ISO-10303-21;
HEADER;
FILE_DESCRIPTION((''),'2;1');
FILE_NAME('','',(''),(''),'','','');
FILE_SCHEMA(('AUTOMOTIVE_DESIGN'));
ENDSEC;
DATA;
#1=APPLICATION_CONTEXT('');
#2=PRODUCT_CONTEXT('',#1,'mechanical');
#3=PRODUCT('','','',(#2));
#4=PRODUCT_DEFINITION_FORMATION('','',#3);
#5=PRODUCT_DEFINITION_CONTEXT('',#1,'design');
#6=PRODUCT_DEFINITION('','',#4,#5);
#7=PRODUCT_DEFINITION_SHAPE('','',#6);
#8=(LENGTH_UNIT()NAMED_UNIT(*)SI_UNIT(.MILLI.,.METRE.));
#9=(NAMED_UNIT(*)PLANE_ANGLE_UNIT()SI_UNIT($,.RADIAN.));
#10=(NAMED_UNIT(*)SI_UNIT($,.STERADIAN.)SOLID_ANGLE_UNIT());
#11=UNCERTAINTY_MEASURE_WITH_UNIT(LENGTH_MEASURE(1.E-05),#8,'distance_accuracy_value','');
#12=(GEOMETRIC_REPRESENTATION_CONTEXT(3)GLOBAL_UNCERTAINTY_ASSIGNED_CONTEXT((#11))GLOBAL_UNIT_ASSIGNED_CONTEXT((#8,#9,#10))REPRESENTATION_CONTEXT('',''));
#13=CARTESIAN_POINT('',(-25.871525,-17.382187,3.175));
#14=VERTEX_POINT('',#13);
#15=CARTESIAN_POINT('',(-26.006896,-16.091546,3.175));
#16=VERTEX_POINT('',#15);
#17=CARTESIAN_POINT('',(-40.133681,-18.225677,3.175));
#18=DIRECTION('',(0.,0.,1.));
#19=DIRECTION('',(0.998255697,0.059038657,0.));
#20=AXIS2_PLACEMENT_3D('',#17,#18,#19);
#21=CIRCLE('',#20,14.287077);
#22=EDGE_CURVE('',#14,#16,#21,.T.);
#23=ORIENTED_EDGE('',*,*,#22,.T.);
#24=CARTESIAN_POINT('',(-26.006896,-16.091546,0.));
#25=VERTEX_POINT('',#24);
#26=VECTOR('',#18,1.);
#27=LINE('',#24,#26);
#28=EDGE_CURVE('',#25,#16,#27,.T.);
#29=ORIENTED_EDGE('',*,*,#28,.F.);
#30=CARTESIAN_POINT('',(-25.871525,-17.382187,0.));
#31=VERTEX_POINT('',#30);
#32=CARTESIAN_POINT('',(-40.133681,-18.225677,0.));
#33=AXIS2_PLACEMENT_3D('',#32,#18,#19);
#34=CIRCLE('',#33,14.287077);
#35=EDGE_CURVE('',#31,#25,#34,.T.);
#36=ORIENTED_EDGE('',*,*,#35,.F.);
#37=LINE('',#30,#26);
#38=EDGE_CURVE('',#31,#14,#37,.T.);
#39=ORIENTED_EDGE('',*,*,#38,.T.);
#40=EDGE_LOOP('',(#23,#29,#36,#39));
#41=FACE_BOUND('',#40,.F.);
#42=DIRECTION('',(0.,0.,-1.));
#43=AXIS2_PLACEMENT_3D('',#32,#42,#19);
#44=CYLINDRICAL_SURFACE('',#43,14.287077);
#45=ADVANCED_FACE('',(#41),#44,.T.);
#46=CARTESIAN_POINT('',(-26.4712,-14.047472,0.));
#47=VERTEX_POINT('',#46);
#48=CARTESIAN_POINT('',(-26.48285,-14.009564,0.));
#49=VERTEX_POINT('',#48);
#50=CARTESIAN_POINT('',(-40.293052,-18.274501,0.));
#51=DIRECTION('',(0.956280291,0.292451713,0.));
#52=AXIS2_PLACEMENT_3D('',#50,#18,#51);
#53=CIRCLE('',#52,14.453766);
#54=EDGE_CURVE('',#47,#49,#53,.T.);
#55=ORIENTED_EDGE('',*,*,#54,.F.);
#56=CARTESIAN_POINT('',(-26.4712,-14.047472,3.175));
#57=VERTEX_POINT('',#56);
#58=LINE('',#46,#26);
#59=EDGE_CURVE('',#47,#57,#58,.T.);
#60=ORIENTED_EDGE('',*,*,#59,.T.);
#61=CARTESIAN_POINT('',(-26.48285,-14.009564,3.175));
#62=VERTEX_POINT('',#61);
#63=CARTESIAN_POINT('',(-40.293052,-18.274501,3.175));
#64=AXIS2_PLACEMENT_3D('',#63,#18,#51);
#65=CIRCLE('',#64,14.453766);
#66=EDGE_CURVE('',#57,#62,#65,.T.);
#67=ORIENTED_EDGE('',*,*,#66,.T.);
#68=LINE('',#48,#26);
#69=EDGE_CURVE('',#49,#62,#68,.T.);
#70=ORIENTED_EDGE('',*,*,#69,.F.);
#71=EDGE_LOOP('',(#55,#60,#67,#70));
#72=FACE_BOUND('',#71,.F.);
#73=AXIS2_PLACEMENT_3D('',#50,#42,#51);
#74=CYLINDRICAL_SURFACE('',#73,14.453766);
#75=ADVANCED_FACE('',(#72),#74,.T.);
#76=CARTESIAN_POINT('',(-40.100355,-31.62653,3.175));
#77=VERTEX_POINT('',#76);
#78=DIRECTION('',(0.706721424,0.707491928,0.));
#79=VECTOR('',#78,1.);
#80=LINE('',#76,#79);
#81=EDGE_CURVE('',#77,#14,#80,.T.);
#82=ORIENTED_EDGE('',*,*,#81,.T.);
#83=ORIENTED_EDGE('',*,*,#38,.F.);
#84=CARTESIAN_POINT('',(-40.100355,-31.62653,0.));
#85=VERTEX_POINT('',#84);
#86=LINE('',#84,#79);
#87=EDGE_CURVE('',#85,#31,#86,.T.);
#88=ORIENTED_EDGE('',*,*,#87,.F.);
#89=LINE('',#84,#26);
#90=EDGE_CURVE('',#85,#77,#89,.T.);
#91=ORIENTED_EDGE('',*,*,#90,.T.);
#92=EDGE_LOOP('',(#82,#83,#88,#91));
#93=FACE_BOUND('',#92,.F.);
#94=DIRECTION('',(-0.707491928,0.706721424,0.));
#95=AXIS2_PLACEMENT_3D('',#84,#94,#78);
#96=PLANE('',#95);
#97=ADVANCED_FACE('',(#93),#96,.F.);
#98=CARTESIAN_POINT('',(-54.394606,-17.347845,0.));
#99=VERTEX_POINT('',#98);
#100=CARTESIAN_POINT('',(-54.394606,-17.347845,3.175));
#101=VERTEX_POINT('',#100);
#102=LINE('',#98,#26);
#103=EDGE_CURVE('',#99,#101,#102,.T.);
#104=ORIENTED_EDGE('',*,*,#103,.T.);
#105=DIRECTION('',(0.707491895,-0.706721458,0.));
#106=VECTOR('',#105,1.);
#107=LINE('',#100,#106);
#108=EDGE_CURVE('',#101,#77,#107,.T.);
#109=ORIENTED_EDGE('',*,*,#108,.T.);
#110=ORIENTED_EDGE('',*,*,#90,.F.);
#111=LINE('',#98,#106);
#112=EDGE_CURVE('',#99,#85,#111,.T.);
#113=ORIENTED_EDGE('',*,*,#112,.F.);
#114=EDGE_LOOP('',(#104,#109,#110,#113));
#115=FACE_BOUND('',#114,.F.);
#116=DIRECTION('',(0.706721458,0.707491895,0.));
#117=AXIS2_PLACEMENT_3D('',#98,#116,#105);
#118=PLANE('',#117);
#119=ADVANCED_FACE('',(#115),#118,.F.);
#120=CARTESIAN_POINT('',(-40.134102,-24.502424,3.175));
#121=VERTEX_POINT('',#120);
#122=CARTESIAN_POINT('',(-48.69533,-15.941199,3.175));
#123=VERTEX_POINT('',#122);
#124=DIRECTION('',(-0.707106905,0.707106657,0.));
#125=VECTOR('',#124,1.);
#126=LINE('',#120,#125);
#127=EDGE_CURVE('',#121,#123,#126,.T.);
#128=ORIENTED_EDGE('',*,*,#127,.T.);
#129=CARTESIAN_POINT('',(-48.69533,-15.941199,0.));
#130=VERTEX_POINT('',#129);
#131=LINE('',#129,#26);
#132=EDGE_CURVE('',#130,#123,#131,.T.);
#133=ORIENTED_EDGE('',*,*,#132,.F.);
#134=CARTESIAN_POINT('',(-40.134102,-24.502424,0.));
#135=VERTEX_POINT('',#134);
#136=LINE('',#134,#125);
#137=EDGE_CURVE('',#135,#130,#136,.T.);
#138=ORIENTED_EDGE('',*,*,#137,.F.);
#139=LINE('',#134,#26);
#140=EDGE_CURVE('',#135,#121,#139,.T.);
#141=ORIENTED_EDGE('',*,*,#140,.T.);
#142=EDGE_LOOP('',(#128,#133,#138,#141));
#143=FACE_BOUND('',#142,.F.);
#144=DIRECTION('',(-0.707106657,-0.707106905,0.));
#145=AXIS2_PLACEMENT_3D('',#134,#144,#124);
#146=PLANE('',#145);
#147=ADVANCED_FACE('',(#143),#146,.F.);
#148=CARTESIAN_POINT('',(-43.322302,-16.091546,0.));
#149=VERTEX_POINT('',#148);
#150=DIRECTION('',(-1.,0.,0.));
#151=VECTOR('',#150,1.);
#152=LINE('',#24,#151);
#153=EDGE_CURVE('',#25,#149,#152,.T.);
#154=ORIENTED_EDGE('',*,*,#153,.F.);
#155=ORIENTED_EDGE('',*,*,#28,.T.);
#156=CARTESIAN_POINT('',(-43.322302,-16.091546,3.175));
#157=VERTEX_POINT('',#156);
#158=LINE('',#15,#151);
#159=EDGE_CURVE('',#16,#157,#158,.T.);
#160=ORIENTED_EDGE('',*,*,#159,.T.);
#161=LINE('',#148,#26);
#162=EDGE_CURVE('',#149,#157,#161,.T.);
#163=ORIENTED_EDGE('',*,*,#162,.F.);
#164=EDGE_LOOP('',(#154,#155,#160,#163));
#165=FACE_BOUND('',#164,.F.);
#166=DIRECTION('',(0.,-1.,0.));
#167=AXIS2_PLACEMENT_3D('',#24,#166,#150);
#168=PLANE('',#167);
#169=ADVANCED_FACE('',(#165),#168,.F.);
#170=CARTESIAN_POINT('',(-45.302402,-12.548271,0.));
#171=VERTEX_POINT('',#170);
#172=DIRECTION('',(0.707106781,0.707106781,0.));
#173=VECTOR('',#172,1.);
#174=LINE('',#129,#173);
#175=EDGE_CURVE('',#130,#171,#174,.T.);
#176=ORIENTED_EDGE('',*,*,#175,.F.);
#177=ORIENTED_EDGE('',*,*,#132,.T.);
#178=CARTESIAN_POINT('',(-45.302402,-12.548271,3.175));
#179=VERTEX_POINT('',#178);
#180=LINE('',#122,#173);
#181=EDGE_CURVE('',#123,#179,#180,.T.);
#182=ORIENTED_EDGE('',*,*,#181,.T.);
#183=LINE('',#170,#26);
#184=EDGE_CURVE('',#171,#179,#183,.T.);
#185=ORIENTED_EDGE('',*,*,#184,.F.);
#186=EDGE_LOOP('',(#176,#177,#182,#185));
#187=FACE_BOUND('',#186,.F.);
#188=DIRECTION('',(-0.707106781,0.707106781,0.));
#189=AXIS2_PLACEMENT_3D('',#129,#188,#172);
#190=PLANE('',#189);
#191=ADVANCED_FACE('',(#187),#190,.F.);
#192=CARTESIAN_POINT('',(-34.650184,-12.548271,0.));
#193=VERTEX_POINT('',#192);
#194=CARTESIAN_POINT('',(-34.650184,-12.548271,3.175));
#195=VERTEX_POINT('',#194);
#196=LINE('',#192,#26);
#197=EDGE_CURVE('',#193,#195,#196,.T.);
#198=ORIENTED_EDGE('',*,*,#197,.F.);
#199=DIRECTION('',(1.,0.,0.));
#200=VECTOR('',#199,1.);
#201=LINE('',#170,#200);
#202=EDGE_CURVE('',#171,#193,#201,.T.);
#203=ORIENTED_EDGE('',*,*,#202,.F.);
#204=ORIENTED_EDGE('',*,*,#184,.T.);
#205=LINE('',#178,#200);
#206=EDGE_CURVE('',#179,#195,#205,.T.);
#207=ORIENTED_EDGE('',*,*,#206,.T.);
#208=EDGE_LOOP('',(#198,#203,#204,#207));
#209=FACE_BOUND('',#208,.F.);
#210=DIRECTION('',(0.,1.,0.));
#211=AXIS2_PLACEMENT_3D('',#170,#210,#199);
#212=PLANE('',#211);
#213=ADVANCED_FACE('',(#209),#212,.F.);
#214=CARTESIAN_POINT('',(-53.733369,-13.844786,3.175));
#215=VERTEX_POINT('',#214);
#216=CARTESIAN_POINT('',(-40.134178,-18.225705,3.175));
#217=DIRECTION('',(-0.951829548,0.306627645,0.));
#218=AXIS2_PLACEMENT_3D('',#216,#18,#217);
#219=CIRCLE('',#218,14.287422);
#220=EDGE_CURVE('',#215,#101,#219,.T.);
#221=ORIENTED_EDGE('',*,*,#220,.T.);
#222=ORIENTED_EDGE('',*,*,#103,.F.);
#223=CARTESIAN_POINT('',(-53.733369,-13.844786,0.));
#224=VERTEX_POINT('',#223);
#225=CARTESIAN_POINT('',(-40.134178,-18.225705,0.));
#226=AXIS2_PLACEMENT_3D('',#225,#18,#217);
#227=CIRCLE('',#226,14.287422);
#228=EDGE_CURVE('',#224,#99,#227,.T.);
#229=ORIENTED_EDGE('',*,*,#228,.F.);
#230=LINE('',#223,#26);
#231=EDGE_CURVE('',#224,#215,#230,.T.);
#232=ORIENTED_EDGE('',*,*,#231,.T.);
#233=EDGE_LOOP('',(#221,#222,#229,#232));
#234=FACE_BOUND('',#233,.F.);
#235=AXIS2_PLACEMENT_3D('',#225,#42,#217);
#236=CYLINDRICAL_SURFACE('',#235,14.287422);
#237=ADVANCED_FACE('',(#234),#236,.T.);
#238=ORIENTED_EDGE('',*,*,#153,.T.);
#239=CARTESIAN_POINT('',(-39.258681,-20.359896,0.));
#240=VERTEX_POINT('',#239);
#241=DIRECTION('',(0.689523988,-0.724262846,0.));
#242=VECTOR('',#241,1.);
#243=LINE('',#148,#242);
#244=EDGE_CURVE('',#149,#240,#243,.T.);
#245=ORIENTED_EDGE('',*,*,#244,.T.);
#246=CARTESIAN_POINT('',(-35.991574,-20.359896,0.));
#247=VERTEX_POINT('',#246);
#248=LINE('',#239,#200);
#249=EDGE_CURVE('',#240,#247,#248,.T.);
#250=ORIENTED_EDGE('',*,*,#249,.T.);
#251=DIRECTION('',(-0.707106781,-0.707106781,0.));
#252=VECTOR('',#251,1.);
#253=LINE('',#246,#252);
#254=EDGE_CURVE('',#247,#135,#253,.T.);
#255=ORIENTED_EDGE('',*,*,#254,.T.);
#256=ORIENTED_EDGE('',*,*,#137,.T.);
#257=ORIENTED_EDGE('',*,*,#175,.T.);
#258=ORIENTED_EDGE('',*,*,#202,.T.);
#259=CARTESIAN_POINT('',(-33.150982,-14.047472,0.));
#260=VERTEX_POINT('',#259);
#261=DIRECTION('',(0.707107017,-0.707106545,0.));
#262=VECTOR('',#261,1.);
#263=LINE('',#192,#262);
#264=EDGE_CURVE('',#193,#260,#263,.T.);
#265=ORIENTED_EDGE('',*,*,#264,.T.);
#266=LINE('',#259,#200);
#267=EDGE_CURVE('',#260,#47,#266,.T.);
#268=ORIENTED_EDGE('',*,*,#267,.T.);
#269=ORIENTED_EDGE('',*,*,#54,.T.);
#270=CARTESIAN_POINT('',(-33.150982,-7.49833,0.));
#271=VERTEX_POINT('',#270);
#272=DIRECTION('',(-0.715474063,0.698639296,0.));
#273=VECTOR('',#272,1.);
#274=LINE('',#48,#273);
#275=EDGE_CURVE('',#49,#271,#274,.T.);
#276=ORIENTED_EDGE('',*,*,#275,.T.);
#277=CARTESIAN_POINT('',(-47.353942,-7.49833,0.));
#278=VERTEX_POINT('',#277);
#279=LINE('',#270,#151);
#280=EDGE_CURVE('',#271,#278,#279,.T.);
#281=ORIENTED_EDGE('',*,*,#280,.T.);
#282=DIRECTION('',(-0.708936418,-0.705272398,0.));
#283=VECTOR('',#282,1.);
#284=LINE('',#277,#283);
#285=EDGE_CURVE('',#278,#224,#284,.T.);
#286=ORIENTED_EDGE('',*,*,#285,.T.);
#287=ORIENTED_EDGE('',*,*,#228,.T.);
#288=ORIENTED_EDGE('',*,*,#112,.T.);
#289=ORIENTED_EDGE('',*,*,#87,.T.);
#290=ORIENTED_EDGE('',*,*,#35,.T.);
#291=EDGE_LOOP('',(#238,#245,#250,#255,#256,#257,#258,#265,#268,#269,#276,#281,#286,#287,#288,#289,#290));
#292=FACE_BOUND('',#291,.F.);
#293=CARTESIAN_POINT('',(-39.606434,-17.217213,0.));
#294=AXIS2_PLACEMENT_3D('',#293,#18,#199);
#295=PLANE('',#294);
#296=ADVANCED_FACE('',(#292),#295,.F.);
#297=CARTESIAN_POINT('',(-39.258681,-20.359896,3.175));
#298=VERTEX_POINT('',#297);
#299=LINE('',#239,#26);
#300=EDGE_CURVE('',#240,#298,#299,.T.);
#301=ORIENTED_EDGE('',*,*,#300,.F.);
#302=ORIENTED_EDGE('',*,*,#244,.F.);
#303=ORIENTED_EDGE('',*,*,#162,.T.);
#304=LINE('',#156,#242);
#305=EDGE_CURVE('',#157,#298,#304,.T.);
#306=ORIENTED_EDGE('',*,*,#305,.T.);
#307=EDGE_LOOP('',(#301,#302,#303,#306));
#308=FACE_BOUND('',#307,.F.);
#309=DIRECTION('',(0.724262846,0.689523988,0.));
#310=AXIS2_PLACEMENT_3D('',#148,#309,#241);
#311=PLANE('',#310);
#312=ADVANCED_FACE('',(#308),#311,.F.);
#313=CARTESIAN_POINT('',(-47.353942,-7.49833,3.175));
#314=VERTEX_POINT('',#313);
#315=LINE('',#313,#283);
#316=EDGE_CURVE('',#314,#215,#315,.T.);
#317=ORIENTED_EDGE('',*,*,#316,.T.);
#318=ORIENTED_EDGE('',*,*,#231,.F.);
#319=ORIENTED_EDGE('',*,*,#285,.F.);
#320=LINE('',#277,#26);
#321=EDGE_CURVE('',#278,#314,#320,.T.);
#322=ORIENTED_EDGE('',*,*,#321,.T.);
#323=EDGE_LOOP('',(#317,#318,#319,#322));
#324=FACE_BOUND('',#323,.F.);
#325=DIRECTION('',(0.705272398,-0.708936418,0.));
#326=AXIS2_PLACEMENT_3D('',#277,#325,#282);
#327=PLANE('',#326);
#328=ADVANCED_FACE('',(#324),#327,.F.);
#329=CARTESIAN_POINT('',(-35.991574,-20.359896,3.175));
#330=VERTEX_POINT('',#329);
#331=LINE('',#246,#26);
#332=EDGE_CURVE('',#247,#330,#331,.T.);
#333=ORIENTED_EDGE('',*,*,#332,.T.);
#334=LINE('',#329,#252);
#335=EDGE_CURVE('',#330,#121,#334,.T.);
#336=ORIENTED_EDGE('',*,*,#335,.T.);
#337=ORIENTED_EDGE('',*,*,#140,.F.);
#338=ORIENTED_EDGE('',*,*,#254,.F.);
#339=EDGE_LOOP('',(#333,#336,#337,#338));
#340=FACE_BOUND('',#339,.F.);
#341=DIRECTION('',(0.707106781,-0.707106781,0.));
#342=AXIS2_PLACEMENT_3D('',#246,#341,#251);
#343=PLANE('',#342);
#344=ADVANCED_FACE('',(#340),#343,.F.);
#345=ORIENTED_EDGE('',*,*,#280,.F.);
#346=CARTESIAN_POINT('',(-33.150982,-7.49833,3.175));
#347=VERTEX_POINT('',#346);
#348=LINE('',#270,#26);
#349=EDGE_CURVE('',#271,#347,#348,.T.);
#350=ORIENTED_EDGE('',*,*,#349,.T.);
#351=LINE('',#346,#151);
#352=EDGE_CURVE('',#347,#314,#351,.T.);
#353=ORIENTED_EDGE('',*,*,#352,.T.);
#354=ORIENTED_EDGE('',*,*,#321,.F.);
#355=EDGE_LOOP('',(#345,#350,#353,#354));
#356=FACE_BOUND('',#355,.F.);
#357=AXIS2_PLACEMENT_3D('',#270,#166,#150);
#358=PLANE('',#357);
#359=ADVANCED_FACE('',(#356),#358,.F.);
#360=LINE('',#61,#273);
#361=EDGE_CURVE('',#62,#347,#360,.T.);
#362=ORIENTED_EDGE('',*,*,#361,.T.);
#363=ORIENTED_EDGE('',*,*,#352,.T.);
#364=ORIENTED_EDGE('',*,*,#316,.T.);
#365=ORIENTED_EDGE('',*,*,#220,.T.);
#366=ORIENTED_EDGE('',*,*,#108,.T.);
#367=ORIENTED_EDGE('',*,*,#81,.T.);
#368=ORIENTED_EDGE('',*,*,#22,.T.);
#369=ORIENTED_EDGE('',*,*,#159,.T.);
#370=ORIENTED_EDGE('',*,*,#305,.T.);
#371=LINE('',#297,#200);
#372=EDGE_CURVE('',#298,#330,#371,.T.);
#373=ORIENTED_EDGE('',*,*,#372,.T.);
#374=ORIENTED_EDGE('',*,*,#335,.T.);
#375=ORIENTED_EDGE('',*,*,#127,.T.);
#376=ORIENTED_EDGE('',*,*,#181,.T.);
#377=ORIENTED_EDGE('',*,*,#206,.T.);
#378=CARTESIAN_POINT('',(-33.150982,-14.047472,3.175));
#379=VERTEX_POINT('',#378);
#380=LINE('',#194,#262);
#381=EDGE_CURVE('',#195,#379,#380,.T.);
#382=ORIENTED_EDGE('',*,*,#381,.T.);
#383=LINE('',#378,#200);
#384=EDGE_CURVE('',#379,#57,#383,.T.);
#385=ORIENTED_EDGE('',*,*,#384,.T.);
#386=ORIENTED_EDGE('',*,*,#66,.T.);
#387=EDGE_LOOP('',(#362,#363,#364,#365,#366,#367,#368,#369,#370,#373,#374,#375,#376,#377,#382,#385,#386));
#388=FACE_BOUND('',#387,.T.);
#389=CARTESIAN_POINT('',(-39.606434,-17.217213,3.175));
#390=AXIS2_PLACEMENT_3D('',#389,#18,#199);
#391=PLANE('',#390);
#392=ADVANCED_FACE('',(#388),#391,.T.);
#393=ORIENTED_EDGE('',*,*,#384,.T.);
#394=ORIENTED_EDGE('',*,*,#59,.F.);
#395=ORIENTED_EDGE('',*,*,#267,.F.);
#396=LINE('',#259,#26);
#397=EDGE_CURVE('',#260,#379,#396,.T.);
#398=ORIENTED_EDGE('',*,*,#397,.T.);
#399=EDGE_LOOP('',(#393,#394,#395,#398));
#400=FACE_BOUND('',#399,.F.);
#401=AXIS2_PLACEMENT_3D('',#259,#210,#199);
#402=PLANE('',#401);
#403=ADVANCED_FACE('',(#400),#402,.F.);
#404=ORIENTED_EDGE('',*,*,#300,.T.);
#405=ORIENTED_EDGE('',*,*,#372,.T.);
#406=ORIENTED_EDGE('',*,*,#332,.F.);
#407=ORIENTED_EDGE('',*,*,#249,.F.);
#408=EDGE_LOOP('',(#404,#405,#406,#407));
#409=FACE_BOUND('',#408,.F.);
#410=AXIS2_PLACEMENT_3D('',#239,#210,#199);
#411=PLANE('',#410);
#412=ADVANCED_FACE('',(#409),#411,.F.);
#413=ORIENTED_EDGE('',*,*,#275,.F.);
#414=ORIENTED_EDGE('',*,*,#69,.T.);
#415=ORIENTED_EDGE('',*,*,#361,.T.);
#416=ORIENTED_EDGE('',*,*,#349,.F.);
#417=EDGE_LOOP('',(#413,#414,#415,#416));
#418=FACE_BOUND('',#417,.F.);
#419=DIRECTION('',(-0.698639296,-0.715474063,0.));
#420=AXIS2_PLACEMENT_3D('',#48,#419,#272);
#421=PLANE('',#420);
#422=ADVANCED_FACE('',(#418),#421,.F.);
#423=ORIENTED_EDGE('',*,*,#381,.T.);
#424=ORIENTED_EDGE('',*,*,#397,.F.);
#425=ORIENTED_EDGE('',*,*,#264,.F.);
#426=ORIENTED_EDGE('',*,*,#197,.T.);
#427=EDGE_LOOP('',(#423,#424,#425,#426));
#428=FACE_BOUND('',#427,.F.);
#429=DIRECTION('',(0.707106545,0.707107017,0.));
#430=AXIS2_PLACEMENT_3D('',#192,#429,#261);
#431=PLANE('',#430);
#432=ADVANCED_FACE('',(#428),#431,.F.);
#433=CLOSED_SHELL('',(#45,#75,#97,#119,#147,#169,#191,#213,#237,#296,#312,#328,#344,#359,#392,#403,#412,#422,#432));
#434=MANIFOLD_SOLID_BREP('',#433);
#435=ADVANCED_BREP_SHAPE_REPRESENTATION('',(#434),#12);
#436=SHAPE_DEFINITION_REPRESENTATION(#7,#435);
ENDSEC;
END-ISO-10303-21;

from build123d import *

# Parameters (mm, degrees)
F1_DEPTH = 3.175


with BuildPart() as f1:
    # F0 (on Top) → F1 (new body)
    with BuildSketch(Plane.XY):
        with BuildLine():
            Line((-33.150982, -7.49833), (-47.353942, -7.49833))
            Line((-47.353942, -7.49833), (-53.733369, -13.844786))
            ThreePointArc((-53.733369, -13.844786), (-54.173674, -15.575611), (-54.394606, -17.347845))
            Line((-54.394606, -17.347845), (-40.100355, -31.62653))
            Line((-40.100355, -31.62653), (-25.871525, -17.382187))
            ThreePointArc((-25.871525, -17.382187), (-25.924549, -16.735329), (-26.006896, -16.091546))
            Line((-26.006896, -16.091546), (-43.322302, -16.091546))
            Line((-43.322302, -16.091546), (-39.258681, -20.359896))
            Line((-39.258681, -20.359896), (-35.991574, -20.359896))
            Line((-35.991574, -20.359896), (-40.134102, -24.502424))
            Line((-40.134102, -24.502424), (-48.69533, -15.941199))
            Line((-48.69533, -15.941199), (-45.302402, -12.548271))
            Line((-45.302402, -12.548271), (-34.650184, -12.548271))
            Line((-34.650184, -12.548271), (-33.150982, -14.047472))
            Line((-33.150982, -14.047472), (-26.4712, -14.047472))
            ThreePointArc((-26.4712, -14.047472), (-26.477012, -14.028514), (-26.48285, -14.009564))
            Line((-26.48285, -14.009564), (-33.150982, -7.49833))
        make_face()
    extrude(amount=F1_DEPTH)


solid = f1.part
